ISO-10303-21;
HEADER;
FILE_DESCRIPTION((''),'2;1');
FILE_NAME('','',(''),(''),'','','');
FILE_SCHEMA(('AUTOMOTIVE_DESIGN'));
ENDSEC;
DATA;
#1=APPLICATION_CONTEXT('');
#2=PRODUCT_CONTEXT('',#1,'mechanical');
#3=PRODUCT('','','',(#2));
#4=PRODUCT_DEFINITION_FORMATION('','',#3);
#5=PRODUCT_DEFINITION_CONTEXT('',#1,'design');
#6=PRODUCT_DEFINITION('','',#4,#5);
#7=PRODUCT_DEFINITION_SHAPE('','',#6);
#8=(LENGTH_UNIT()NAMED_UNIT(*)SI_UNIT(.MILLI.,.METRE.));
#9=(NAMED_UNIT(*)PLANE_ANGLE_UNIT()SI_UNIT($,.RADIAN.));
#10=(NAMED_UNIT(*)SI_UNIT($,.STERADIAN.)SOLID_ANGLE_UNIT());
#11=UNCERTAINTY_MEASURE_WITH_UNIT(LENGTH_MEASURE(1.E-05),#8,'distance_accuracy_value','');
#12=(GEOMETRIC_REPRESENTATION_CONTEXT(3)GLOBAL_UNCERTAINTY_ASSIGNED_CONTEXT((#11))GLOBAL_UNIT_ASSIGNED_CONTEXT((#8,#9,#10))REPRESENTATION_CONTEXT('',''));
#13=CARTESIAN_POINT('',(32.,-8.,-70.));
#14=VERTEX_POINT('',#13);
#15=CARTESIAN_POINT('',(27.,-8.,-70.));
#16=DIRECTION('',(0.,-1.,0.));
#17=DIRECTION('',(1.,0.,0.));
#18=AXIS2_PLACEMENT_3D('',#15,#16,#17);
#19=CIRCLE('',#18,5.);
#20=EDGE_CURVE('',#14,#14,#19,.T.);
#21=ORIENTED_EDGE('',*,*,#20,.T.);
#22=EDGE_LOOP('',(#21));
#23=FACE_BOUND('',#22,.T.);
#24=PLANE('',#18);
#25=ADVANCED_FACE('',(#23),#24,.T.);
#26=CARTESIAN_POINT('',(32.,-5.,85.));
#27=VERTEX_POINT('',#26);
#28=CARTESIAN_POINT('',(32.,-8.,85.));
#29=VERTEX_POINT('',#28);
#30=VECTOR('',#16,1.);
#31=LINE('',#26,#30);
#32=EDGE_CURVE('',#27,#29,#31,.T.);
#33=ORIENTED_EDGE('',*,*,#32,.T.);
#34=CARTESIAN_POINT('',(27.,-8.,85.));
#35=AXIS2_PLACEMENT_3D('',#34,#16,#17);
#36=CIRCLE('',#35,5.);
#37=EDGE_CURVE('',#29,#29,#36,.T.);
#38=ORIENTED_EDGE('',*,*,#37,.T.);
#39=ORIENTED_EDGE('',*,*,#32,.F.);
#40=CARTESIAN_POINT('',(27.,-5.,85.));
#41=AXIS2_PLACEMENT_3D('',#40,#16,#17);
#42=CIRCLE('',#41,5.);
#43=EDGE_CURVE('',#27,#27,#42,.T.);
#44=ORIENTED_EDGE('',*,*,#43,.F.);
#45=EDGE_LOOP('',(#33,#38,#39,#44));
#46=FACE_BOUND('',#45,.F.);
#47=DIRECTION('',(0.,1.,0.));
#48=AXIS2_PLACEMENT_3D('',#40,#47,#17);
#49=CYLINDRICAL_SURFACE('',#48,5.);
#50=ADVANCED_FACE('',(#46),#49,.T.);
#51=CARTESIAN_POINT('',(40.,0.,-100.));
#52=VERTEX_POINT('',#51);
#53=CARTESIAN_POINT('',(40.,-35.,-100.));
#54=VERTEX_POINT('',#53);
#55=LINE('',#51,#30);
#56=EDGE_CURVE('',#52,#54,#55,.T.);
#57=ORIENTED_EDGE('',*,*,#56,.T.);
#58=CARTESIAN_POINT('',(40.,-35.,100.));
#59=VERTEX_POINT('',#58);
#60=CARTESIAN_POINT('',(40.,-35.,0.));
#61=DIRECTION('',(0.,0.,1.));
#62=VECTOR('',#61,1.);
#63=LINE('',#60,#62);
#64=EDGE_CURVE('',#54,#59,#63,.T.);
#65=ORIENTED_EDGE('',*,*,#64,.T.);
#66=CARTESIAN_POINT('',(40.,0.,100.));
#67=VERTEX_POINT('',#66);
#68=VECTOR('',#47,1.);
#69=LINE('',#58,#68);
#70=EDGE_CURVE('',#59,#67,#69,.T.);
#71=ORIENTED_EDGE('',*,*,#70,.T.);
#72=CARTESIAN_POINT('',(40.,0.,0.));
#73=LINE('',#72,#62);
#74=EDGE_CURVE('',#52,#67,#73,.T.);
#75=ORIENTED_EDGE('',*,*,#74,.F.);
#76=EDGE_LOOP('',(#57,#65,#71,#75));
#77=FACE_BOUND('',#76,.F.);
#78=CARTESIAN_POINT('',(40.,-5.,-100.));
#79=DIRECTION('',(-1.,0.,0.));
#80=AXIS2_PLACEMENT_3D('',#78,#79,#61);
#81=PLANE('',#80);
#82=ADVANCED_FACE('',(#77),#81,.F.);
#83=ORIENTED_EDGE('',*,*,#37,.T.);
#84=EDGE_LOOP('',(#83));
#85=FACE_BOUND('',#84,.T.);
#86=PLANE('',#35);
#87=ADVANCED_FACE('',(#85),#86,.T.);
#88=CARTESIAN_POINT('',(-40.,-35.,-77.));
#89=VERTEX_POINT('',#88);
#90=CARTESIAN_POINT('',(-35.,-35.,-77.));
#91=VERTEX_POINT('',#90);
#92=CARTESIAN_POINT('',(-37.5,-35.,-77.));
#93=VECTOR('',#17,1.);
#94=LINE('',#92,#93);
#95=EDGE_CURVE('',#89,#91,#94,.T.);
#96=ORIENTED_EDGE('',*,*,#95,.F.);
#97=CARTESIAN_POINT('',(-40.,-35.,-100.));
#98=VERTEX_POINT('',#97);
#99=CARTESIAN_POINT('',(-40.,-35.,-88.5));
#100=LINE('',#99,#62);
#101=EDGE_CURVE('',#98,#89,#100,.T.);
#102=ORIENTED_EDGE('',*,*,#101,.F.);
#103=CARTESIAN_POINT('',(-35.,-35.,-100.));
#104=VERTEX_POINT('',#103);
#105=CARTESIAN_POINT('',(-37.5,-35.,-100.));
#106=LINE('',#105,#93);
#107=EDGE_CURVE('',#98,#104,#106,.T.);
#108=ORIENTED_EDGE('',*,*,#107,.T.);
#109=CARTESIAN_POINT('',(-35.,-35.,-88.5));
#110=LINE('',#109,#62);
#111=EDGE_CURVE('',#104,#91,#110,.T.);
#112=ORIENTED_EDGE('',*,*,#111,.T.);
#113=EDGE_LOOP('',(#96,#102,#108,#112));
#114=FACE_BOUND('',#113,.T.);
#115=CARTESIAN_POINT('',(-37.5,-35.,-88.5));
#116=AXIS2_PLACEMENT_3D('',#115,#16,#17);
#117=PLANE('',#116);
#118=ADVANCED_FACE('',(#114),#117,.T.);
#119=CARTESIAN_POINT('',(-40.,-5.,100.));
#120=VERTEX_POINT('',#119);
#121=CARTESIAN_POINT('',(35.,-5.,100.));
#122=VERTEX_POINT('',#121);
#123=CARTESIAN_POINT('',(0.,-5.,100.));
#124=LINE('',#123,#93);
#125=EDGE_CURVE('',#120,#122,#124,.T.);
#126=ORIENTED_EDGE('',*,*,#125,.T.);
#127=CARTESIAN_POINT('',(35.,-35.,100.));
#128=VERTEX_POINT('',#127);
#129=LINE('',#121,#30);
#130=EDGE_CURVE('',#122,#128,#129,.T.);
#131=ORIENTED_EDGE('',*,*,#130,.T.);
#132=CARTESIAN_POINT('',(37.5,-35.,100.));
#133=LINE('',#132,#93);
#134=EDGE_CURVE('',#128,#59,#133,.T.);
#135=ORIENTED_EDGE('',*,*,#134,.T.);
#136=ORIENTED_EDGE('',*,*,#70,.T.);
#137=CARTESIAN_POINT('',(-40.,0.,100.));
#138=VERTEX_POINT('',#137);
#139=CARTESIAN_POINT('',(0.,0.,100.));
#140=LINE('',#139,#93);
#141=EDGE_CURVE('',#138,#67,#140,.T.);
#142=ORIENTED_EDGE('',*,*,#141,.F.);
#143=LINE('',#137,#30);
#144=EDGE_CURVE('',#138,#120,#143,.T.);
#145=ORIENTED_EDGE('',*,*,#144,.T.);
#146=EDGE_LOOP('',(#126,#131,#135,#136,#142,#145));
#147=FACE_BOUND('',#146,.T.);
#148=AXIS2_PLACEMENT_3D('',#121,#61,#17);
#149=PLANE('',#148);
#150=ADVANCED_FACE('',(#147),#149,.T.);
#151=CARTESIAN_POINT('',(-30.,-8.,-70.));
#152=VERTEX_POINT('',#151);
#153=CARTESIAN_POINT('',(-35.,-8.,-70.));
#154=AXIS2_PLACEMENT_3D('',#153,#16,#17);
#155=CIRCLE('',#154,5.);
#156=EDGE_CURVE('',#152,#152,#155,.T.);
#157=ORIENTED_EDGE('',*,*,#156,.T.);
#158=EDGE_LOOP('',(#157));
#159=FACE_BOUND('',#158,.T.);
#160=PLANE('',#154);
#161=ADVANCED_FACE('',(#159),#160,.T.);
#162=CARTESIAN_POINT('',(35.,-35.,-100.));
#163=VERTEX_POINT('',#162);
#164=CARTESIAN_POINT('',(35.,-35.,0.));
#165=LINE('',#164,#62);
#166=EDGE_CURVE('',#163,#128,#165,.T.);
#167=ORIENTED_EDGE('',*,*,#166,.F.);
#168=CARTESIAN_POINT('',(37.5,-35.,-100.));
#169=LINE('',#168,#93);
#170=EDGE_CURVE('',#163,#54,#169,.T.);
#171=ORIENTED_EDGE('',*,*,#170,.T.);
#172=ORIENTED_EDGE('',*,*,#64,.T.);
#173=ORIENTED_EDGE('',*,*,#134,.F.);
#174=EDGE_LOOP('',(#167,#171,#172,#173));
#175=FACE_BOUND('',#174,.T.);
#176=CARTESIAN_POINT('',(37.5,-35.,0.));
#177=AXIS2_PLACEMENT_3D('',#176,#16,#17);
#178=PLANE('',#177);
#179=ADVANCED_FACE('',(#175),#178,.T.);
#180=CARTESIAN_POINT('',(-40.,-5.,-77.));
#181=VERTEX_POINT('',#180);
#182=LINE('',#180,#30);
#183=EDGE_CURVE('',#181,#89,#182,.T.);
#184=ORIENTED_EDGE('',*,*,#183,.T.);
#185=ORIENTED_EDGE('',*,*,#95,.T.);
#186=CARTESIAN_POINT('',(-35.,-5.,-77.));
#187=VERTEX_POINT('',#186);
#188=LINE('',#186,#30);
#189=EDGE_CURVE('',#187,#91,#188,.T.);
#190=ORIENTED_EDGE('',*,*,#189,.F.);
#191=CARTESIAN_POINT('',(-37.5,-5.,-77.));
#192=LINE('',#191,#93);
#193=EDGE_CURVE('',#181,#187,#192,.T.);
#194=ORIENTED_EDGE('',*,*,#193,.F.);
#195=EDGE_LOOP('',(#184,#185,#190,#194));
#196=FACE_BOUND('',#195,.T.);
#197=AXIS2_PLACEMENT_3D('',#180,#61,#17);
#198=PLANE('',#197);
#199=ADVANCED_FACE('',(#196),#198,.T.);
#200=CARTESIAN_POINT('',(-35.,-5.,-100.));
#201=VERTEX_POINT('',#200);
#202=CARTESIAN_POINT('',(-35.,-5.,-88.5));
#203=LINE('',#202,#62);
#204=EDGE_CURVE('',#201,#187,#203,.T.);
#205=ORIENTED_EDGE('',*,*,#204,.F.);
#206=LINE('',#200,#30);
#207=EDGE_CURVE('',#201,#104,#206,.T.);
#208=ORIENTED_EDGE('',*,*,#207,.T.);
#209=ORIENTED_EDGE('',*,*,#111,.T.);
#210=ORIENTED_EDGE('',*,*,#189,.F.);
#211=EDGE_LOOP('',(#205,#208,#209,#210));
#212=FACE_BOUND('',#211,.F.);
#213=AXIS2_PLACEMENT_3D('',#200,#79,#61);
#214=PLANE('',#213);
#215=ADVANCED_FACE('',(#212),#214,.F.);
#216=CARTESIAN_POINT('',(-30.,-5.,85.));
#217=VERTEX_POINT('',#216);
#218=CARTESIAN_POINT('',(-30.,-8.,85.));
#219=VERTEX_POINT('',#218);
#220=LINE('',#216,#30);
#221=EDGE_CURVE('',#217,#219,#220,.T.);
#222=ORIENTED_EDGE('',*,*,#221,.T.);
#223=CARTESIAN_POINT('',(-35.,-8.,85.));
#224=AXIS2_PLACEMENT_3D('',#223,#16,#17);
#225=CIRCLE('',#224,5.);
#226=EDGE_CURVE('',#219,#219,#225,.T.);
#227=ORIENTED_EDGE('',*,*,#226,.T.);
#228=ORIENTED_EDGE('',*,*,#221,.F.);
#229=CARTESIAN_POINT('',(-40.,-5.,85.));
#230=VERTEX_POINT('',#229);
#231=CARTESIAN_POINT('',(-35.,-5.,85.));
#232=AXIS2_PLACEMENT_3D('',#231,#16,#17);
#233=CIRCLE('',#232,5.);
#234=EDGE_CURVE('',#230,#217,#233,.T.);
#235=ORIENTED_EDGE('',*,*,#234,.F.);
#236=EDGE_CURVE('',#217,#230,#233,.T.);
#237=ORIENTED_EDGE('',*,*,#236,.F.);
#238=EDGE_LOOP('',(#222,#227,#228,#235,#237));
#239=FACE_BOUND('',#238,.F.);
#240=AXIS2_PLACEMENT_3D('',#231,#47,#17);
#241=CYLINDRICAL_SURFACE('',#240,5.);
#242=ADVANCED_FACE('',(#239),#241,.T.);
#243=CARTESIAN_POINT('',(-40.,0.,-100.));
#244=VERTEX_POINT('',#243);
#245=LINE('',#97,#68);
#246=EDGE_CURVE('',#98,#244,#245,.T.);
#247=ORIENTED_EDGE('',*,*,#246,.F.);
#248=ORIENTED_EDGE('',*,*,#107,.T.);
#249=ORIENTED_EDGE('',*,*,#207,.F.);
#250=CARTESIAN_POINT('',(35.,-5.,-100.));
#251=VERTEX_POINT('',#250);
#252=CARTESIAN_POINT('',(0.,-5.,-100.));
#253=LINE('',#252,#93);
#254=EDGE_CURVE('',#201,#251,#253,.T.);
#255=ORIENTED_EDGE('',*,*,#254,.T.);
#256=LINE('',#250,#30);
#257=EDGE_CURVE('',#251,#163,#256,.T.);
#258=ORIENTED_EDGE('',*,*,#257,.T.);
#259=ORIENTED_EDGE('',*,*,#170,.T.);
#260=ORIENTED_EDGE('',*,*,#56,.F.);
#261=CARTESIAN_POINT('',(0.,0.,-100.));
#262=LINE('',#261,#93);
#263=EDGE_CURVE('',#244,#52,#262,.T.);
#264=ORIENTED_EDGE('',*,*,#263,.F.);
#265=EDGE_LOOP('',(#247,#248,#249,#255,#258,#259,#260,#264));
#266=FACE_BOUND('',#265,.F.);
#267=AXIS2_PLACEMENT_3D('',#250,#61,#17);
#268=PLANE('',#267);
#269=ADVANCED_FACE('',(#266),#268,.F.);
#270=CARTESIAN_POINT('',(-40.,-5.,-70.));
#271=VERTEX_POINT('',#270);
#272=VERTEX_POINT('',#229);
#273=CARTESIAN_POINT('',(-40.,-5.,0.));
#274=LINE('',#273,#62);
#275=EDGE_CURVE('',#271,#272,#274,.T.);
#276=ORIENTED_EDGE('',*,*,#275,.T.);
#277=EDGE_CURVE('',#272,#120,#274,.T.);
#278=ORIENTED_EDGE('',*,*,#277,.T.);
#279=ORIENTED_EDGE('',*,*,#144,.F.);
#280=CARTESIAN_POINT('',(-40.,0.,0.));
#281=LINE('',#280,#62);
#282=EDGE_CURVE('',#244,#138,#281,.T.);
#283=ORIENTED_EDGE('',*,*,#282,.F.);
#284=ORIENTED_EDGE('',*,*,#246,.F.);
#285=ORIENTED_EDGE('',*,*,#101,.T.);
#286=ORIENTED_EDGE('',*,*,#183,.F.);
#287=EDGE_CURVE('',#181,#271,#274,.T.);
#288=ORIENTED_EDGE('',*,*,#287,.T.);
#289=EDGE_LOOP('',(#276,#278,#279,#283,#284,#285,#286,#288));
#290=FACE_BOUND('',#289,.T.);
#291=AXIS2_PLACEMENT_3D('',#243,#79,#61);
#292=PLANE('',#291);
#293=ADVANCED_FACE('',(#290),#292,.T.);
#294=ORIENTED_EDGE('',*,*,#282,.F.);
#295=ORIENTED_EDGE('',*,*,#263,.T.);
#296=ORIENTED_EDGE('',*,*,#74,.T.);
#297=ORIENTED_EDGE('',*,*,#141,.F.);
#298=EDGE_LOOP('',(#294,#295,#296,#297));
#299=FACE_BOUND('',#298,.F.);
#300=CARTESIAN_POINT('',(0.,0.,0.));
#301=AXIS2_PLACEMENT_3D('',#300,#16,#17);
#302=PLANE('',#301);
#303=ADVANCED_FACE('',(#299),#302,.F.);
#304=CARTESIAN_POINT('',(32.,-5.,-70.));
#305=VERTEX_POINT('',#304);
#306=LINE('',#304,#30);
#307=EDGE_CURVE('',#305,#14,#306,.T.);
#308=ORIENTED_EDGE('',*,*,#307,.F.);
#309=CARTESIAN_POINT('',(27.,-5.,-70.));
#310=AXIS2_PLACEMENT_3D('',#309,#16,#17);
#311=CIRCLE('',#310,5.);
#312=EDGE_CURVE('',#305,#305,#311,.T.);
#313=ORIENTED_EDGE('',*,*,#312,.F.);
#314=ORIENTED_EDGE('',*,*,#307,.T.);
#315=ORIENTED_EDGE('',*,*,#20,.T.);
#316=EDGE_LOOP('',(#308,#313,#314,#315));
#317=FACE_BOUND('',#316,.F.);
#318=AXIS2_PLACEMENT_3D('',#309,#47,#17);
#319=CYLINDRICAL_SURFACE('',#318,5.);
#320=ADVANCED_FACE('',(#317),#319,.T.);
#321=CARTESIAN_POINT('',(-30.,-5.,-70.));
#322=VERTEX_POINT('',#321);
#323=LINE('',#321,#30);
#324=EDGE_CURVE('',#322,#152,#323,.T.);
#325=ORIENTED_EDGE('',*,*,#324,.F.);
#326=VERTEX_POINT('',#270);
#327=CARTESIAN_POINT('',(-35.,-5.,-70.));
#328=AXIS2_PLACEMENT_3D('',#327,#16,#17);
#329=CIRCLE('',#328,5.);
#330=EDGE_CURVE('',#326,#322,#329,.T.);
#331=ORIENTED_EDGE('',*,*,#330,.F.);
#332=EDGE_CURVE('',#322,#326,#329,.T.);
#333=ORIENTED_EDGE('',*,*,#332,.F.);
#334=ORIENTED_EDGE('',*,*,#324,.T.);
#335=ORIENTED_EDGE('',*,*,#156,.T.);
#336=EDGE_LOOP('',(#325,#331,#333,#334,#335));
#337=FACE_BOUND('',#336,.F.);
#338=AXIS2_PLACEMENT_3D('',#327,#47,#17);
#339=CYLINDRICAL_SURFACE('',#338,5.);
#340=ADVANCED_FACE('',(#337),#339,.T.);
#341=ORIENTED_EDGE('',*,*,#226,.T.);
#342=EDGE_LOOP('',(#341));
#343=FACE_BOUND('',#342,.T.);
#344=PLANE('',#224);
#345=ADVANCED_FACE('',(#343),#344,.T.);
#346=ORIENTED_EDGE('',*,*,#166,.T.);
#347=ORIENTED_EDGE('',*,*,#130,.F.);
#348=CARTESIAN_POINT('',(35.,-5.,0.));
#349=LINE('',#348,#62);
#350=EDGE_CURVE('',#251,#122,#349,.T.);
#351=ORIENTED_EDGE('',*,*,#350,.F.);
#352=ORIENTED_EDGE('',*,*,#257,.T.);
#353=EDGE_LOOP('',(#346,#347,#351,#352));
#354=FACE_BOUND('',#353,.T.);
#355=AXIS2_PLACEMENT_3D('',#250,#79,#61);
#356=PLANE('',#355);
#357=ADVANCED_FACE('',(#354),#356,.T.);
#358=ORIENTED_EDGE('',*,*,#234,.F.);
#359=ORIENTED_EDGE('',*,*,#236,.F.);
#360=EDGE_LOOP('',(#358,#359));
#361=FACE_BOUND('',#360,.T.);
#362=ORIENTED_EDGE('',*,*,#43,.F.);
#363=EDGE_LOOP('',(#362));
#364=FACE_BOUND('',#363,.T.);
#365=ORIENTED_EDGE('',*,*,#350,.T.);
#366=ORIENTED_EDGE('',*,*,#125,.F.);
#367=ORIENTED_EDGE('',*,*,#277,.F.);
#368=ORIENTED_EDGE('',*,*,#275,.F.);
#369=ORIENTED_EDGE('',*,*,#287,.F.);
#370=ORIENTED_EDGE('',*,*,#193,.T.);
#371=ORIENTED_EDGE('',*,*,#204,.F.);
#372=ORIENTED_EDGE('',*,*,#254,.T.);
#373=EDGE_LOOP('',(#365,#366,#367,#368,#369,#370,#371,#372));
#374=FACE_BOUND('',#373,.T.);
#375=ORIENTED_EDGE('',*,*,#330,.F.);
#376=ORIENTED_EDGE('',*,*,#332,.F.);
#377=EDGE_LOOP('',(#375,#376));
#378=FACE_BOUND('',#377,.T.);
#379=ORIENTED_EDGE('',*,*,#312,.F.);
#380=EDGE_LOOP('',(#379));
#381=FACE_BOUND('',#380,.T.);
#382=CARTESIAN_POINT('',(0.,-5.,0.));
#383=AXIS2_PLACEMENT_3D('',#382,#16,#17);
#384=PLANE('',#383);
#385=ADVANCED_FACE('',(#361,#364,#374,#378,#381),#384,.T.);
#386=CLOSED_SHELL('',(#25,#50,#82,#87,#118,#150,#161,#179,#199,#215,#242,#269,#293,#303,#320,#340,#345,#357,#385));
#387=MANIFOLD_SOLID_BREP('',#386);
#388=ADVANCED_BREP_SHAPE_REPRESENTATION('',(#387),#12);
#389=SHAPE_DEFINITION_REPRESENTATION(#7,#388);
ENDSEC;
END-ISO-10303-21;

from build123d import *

# Parameters (mm, degrees)
SKETCH_W      = 80
SKETCH_H      = 200
PAD_DEPTH     = 5
SKETCH001_R   = 5
PAD001_DEPTH  = 3
SKETCH002_W   = 5
SKETCH002_H   = 200
SKETCH002_H_2 = 23
PAD002_DEPTH  = 30


with BuildPart() as part:
    # Sketch → Pad (new body)
    with BuildSketch(Plane.XZ):
        Rectangle(SKETCH_W, SKETCH_H)
    extrude(amount=PAD_DEPTH)

    # Sketch001 (on Face6 of Pad) → Pad001 (join)
    with BuildSketch(Plane.XZ.offset(5)):
        with Locations((-35, 85)):
            Circle(SKETCH001_R)
        with Locations((27, 85)):
            Circle(SKETCH001_R)
        with Locations((-35, -70)):
            Circle(SKETCH001_R)
        with Locations((27, -70)):
            Circle(SKETCH001_R)
    extrude(amount=PAD001_DEPTH)

    # Sketch002 (on Face5 of Pad001) → Pad002 (join)
    with BuildSketch(Plane.XZ.offset(5)):
        with Locations((37.5, 0)):
            Rectangle(SKETCH002_W, SKETCH002_H)
        with Locations((-37.5, -88.5)):
            Rectangle(SKETCH002_W, SKETCH002_H_2)
    extrude(amount=PAD002_DEPTH)


solid = part.part
